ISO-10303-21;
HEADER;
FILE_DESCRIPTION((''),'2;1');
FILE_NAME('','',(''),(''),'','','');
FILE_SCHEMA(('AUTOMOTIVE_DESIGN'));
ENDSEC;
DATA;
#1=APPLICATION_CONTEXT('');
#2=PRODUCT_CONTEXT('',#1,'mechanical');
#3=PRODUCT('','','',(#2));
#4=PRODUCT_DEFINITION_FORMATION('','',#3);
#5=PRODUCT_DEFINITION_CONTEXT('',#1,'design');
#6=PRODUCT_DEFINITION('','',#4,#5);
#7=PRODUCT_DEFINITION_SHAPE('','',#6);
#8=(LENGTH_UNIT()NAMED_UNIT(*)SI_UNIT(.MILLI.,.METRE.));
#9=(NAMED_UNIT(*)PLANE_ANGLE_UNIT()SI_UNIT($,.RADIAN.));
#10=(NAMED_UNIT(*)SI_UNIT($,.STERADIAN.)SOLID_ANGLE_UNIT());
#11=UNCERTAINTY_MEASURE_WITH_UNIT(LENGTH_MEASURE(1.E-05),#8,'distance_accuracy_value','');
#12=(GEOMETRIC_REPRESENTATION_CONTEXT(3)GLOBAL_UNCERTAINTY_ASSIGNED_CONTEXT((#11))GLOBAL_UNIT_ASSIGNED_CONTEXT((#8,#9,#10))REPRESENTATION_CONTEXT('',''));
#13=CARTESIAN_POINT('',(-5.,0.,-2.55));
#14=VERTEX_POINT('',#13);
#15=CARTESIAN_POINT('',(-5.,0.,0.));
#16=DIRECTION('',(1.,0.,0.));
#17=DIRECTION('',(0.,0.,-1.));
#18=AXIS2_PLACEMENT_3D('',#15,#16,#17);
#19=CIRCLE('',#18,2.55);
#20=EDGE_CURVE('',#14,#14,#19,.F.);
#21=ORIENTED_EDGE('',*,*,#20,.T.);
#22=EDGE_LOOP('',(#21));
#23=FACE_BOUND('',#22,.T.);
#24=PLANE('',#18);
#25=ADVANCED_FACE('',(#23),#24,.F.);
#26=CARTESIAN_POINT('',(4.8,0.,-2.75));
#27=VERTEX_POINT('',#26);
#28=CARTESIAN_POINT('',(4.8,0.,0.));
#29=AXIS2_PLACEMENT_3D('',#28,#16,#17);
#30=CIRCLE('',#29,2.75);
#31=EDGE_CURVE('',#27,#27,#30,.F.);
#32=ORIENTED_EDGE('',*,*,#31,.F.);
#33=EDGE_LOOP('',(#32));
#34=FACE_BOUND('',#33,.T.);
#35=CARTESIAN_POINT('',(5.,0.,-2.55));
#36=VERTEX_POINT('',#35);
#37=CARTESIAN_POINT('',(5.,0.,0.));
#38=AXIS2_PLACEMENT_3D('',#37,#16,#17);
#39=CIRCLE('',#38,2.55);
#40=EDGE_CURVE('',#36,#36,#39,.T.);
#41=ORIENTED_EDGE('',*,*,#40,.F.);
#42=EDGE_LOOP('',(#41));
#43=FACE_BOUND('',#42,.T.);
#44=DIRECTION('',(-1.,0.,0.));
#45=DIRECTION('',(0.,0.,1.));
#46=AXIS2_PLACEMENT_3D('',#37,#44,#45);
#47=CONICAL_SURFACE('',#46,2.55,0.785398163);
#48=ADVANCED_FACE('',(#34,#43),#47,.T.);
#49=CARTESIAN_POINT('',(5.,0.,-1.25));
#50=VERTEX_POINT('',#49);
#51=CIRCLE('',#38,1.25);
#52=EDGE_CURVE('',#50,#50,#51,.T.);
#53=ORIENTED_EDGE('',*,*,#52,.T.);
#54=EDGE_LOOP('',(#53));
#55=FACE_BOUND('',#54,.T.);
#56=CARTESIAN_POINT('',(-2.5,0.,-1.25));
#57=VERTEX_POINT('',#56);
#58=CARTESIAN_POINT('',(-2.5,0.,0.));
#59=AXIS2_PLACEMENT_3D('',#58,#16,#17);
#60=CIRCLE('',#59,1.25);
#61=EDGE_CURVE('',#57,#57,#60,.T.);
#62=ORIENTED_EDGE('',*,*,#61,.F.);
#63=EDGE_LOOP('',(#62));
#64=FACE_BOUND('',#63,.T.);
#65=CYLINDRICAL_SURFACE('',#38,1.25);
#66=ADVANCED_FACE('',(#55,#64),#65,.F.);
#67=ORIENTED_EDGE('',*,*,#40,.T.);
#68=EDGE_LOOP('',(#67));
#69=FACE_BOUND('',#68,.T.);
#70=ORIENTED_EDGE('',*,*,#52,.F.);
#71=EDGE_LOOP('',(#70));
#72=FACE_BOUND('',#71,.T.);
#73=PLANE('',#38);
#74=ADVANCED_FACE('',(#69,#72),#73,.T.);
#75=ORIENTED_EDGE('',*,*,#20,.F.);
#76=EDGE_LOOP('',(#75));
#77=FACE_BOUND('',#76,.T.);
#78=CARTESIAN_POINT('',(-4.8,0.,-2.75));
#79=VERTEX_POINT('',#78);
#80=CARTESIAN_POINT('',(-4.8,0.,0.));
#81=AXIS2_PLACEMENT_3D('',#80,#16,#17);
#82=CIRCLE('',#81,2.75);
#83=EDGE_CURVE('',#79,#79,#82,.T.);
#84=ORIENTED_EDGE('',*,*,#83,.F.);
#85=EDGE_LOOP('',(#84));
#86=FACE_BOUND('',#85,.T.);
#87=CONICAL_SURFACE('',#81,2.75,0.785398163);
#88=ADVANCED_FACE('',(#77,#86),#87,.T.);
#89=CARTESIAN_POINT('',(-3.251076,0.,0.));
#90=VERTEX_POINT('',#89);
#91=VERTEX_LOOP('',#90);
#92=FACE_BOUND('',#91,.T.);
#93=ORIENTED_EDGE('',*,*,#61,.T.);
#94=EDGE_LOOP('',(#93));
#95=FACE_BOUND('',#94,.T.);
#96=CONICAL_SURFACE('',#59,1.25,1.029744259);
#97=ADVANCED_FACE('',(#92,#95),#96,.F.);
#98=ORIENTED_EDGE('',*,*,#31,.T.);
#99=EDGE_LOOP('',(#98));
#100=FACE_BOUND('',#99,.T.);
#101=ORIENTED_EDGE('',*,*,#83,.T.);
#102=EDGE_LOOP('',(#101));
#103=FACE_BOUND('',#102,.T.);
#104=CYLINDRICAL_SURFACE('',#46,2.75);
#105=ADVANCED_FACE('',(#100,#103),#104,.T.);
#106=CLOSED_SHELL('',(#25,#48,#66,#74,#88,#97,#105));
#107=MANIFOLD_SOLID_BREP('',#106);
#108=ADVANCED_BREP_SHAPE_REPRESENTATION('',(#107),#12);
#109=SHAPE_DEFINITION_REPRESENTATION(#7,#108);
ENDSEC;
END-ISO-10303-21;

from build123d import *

# Parameters (mm, degrees)
SKETCH1_R                 = 2.75
BOSS_EXTRUDE1_DEPTH       = 5
CHAMFER1_SIZE             = 0.2
M3X0_5_TAPPED_HOLE1_D     = 2.5
M3X0_5_TAPPED_HOLE1_DEPTH = 7.5
M3X0_5_TAPPED_HOLE1_TIP   = 0.751075774


with BuildPart() as part:
    # Sketch1 → Boss-Extrude1 (new body, symmetric)
    with BuildSketch(Plane(origin=(0, 0, 0), x_dir=(0, -1, 0), z_dir=(1, 0, 0))):
        Circle(SKETCH1_R)
    extrude(amount=BOSS_EXTRUDE1_DEPTH, both=True)

    # Chamfer1
    chamfer1_edges = [part.edges().sort_by_distance(p)[0] for p in [
        (-5, 2.75, 0),
        (5, 2.75, 0),
    ]]
    chamfer(chamfer1_edges, length=CHAMFER1_SIZE)

    # M3x0.5 Tapped Hole1
    with Locations(Plane(origin=(5, 0, 0), x_dir=(0, 0, -1), z_dir=(1, 0, 0))):
        with Locations((0, 0)):
            Hole(M3X0_5_TAPPED_HOLE1_D / 2, depth=M3X0_5_TAPPED_HOLE1_DEPTH)
            with Locations((0, 0, -(M3X0_5_TAPPED_HOLE1_DEPTH + M3X0_5_TAPPED_HOLE1_TIP / 2))):  # 118° drill point
                Cone(0, M3X0_5_TAPPED_HOLE1_D / 2, M3X0_5_TAPPED_HOLE1_TIP, mode=Mode.SUBTRACT)


solid = part.part
